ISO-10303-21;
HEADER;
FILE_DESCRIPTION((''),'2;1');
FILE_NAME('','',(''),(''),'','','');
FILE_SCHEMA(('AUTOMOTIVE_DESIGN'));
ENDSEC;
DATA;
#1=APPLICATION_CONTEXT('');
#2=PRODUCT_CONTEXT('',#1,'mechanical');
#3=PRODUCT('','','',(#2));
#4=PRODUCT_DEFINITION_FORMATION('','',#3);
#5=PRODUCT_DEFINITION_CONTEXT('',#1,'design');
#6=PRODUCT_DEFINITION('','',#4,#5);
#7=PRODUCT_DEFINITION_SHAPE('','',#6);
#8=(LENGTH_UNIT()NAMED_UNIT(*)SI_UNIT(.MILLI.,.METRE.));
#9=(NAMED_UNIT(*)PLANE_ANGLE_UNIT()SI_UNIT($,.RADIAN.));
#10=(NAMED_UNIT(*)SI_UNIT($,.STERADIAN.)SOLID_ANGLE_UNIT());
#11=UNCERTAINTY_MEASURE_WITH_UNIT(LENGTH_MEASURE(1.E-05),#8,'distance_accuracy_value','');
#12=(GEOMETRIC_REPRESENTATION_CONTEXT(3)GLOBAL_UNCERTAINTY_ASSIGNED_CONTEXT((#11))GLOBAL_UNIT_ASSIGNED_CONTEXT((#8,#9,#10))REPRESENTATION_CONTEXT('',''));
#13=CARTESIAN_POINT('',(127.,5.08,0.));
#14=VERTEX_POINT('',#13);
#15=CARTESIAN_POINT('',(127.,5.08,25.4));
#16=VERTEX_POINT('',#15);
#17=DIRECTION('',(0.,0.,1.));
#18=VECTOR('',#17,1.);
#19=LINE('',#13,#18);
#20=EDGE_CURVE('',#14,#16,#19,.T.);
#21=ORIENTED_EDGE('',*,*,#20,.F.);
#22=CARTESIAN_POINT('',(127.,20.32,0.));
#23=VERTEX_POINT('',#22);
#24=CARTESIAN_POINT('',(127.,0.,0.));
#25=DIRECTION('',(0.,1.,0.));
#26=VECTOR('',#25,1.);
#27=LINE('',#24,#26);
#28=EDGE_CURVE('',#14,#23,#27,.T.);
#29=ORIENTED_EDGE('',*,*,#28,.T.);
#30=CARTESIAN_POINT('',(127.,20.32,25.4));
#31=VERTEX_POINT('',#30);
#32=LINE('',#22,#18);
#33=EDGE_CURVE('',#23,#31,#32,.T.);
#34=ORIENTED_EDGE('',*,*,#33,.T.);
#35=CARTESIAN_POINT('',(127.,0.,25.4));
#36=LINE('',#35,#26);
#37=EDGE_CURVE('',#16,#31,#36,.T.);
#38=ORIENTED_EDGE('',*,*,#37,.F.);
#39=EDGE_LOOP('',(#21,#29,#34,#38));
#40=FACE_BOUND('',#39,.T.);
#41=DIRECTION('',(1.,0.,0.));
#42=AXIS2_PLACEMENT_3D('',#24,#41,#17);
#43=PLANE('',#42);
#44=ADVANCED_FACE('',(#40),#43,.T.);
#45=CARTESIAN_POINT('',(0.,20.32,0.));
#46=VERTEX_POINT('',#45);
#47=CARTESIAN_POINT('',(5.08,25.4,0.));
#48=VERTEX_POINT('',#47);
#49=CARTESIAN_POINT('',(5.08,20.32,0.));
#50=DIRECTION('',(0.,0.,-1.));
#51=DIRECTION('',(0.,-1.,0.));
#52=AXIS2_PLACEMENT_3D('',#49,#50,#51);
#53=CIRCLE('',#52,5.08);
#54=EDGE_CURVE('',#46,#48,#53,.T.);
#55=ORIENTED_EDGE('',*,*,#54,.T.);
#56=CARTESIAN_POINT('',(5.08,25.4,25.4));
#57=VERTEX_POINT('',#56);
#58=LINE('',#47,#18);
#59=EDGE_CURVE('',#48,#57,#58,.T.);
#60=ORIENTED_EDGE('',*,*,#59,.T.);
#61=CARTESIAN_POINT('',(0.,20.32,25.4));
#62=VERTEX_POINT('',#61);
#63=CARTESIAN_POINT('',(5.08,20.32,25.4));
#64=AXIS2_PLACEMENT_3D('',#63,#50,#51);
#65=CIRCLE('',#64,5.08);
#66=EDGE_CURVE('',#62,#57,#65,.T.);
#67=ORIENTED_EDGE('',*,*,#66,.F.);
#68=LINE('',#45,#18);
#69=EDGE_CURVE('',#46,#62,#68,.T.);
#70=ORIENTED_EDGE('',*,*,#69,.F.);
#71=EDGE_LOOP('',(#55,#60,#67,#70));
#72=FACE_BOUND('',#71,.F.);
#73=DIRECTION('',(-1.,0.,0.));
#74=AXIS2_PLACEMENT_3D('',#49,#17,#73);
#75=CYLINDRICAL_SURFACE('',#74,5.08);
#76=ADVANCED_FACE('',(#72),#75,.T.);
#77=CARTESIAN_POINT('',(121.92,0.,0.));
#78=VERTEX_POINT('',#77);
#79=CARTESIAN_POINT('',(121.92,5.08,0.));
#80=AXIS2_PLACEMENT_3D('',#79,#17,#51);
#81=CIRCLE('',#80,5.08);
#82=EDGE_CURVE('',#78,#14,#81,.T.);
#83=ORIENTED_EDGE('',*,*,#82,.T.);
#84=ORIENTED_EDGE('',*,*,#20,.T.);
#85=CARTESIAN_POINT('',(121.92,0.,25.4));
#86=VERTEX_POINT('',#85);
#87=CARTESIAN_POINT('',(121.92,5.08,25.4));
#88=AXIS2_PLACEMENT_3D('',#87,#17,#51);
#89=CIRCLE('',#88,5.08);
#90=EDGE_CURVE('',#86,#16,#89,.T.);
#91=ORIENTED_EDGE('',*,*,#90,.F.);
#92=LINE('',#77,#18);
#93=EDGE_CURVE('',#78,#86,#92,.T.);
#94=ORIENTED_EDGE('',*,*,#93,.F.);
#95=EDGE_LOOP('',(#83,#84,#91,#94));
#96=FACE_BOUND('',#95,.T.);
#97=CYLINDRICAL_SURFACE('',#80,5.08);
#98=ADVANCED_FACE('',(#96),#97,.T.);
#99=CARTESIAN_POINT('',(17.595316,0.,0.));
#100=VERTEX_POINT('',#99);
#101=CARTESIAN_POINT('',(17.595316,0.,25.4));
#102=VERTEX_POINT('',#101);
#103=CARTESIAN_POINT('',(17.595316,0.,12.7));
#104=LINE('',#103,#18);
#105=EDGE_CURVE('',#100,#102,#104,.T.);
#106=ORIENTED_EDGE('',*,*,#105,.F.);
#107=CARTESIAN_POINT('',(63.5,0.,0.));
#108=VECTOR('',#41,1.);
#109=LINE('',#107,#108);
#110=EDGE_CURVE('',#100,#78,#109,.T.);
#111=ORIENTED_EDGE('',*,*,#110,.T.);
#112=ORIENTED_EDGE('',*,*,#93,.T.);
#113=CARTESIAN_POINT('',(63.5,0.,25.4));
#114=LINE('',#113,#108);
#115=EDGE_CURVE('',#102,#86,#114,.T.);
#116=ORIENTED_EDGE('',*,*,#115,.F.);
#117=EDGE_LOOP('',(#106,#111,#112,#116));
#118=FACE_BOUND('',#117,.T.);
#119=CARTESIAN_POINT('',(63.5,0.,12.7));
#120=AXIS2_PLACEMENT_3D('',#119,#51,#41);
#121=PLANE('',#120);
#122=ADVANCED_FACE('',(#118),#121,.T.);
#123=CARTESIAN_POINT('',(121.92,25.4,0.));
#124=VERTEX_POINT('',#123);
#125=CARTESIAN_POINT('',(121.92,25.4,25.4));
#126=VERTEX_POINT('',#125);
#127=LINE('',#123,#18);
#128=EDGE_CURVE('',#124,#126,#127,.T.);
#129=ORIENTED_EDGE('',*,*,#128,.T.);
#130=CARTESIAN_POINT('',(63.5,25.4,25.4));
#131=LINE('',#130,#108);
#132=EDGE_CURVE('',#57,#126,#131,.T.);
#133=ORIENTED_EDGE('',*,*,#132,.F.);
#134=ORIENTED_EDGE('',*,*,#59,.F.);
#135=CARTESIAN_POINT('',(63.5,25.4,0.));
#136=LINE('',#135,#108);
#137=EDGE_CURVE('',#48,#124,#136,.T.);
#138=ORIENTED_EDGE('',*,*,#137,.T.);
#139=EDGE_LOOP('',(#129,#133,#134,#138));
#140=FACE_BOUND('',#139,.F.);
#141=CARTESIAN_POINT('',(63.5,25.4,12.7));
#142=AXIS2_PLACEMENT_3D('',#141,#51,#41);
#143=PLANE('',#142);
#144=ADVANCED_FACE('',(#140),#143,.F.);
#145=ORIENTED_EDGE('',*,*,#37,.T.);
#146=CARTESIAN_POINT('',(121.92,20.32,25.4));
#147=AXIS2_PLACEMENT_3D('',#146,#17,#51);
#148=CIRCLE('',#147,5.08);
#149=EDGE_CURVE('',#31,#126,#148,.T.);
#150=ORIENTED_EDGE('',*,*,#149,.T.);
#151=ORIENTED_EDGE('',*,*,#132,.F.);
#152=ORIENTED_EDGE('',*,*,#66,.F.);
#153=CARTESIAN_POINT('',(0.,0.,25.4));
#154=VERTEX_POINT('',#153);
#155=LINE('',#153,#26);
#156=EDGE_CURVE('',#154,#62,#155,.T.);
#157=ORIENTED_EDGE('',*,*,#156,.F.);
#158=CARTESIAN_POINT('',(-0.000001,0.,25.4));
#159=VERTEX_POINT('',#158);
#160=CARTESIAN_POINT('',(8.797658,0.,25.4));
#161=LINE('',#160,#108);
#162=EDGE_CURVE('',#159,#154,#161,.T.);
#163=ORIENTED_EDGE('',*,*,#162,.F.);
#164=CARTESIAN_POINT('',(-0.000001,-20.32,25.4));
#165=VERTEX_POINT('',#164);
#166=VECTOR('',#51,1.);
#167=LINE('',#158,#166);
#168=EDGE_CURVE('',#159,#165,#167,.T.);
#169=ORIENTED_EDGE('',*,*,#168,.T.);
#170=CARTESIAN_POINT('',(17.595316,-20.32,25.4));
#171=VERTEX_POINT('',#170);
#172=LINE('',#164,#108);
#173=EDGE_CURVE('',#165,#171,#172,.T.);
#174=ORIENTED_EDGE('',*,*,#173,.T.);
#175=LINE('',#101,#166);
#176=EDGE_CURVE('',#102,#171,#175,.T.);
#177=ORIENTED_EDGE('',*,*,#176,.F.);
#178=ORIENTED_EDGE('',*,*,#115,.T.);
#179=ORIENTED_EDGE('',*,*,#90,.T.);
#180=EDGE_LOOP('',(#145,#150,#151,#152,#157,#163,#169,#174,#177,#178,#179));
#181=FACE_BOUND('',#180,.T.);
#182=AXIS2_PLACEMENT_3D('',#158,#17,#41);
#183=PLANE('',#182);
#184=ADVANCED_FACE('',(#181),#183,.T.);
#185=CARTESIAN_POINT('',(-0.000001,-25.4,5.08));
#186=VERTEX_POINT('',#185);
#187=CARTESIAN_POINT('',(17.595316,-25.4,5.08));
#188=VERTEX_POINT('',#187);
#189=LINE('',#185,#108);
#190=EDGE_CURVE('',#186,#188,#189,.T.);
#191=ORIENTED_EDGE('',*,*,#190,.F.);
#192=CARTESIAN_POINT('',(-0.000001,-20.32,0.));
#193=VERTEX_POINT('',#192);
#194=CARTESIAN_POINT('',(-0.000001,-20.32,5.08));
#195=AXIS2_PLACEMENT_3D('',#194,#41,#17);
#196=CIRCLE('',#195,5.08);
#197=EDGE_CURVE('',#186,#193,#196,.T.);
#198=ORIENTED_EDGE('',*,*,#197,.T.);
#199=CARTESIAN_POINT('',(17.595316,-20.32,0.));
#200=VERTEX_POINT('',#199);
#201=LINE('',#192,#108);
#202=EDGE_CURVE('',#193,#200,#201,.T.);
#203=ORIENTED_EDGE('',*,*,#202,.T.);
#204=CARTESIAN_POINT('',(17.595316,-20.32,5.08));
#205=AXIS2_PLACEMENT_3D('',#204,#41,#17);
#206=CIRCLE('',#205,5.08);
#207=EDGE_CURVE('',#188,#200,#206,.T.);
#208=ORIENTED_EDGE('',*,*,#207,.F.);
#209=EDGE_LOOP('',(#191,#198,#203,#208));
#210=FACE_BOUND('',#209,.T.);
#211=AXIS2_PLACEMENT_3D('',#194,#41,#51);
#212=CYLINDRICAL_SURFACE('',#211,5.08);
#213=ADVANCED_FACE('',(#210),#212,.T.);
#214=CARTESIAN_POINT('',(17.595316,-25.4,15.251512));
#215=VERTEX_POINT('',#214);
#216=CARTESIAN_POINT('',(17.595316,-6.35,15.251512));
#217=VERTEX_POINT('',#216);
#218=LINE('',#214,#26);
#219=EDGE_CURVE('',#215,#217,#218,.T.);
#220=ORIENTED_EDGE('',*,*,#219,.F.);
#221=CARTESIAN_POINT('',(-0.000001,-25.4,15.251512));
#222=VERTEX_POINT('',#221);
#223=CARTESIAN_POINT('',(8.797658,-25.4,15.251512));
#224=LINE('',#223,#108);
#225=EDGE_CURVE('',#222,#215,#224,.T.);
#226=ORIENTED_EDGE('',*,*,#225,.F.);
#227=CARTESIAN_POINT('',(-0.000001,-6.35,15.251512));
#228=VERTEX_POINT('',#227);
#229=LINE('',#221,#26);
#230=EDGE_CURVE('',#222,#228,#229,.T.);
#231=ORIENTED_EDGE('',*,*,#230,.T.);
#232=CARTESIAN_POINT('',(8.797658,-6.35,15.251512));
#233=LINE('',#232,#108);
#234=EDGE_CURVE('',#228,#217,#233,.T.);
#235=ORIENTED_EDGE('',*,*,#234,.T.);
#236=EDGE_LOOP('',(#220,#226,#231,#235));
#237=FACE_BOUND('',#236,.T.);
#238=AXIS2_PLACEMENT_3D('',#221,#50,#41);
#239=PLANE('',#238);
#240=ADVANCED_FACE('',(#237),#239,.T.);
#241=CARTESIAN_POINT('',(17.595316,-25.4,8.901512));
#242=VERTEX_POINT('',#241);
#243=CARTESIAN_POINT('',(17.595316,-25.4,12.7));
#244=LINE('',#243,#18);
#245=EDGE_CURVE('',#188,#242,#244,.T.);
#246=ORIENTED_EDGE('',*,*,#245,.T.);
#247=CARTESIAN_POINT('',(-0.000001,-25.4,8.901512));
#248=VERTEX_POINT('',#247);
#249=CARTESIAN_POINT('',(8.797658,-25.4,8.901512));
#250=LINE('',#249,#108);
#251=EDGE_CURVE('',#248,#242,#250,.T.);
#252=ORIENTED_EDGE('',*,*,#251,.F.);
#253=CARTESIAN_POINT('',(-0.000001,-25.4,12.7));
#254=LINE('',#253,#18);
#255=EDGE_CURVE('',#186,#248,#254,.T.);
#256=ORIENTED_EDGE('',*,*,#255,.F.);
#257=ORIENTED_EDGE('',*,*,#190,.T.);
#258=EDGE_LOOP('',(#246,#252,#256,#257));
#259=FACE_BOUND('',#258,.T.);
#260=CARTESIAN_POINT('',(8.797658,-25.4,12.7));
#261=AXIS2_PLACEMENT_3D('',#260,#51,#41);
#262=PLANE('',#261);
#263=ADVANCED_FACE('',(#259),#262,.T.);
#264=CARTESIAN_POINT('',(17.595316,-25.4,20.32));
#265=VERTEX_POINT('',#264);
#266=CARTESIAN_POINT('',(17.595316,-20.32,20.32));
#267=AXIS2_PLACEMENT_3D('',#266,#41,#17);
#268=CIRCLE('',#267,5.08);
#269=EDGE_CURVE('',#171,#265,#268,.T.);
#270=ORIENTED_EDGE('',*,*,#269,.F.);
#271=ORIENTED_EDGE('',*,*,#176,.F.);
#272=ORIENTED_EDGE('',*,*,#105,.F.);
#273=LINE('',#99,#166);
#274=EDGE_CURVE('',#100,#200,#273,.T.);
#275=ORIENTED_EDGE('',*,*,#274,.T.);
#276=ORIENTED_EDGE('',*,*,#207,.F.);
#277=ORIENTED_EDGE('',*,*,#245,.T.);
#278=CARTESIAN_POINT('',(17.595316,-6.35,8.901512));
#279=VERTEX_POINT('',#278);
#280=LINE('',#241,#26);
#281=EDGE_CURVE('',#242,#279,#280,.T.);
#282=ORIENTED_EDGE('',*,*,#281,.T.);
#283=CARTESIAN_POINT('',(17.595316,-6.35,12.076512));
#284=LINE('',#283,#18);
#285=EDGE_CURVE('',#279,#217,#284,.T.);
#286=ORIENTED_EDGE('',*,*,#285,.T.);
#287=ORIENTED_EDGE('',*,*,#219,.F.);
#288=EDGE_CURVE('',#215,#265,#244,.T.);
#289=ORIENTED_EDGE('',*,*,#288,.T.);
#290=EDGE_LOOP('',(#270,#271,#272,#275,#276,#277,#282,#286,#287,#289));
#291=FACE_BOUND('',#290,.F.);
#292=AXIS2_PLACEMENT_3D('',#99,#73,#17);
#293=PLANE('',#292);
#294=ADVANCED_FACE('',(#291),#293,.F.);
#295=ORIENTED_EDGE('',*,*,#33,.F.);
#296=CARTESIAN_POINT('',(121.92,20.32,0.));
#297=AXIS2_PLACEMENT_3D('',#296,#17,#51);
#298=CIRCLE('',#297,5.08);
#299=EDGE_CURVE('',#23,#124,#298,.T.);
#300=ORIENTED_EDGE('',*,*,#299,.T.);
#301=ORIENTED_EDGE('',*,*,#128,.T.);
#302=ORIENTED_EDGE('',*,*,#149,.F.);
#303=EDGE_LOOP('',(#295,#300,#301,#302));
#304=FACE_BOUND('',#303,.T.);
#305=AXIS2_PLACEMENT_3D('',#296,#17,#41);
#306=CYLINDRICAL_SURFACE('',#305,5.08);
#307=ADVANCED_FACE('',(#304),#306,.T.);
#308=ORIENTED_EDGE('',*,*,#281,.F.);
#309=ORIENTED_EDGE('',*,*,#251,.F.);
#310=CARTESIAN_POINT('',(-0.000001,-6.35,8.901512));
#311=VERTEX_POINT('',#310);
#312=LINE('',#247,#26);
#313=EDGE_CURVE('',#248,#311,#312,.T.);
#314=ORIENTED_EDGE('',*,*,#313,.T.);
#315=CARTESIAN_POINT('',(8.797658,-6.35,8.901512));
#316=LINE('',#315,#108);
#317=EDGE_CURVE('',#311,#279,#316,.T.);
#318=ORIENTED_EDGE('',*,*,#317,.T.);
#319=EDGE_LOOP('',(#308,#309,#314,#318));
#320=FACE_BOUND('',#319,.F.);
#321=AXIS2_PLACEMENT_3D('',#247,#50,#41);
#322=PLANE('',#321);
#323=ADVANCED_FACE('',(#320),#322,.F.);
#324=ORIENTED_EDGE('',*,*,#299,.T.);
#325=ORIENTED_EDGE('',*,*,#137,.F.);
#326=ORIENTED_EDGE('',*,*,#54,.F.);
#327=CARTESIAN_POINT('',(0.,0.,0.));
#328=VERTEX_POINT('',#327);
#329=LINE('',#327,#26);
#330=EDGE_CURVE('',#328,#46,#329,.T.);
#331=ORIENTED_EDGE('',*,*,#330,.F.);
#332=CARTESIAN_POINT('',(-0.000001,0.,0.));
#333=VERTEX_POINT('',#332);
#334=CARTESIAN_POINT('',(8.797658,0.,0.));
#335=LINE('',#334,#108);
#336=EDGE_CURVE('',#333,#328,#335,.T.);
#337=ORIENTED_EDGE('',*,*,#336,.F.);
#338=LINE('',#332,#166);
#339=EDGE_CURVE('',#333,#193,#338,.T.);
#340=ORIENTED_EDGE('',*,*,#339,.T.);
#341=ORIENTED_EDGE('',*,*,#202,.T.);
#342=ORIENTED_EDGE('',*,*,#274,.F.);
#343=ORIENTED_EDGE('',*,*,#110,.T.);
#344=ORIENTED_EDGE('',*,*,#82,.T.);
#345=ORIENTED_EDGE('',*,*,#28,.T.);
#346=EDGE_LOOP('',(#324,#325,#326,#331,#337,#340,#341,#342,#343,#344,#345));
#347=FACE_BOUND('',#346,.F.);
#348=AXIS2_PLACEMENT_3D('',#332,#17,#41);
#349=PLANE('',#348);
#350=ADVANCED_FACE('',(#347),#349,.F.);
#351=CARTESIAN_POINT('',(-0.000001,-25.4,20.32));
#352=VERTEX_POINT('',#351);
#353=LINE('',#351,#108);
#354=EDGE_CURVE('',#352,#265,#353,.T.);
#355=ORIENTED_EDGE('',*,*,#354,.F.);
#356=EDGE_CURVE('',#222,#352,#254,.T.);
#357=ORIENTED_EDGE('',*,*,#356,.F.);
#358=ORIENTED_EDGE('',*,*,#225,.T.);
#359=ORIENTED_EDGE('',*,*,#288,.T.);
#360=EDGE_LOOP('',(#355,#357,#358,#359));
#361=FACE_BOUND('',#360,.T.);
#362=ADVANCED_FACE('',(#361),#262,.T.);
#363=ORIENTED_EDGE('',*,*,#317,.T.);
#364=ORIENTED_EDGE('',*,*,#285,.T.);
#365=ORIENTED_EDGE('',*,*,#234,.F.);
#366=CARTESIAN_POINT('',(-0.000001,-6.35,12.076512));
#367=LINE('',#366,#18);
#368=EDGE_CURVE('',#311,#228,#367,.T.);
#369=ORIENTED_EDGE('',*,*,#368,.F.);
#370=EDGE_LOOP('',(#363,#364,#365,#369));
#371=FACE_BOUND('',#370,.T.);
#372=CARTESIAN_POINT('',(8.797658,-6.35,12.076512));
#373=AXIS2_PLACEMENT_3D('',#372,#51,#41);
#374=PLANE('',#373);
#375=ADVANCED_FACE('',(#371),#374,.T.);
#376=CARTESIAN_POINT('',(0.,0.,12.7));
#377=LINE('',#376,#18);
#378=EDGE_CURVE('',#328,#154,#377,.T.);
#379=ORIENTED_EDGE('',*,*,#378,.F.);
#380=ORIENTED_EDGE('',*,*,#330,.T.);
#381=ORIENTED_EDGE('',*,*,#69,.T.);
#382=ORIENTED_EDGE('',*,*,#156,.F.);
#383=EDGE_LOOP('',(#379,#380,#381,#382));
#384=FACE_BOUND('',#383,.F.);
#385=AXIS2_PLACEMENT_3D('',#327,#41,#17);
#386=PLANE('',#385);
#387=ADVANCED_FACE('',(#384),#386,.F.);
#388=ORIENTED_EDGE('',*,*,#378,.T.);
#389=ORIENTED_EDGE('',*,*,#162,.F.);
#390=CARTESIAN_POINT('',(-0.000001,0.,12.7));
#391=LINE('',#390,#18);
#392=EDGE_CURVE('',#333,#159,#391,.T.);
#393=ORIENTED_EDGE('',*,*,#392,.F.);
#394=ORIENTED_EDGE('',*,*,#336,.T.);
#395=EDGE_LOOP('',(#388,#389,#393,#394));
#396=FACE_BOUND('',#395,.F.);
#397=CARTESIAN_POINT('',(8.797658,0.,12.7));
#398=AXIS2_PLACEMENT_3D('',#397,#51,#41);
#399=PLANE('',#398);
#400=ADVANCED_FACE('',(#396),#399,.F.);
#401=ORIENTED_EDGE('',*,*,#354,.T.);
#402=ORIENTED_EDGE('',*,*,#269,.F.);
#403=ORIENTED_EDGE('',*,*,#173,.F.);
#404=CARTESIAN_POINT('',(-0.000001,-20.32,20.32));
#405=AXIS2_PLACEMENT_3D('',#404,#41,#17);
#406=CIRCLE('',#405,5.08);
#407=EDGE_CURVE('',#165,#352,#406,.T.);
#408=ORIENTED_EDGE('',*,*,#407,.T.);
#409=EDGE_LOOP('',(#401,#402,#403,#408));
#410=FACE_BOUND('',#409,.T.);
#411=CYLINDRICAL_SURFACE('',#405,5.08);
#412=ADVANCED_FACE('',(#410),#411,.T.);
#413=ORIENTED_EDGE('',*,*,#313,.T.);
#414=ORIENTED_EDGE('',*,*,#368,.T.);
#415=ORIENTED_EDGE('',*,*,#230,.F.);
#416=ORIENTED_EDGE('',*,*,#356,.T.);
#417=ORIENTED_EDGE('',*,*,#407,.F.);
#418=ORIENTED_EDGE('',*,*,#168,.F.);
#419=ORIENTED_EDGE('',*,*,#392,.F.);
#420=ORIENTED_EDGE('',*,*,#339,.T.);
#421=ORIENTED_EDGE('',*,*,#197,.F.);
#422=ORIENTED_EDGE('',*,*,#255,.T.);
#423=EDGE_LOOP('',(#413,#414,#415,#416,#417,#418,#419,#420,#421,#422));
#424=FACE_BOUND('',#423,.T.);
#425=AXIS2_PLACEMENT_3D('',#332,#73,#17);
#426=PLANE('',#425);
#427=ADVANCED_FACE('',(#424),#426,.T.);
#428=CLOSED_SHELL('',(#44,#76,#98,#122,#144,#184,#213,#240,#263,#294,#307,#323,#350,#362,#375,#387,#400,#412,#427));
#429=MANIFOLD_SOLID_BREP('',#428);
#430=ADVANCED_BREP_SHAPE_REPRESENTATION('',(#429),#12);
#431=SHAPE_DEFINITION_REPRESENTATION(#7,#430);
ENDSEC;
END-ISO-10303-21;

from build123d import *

# Parameters (mm, degrees)
F0_W     = 127
F0_H     = 25.4
F1_DEPTH = 25.4
F2_W     = 17.595317
F2_H     = 25.4
F3_DEPTH = 25.4
F4_W     = 17.595317
F4_H     = 6.35
F5_DEPTH = 19.05
F6_R     = 5.08
F7_R     = 5.08


with BuildPart() as f1:
    # F0 (on Front) → F1 (new body)
    with BuildSketch(Plane.XZ):
        with Locations((63.5, 12.7)):
            Rectangle(F0_W, F0_H)
    extrude(amount=-F1_DEPTH)

    # F2 (on face) → F3 (join)
    with BuildSketch(Plane.XZ):
        with Locations((8.797658, 12.7)):
            Rectangle(F2_W, F2_H)
    extrude(amount=F3_DEPTH)

    # F4 (on face) → F5 (cut)
    with BuildSketch(Plane.XZ.offset(25.4)):
        with Locations((8.797658, 12.076512)):
            Rectangle(F4_W, F4_H)
    extrude(amount=-F5_DEPTH, mode=Mode.SUBTRACT)

    # F6
    f6_edges = [f1.edges().sort_by_distance(p)[0] for p in [
        (8.797659, -25.4, 25.4),
        (8.797659, -25.4, 0),
        (127, 0, 12.7),
        (127, 25.4, 12.7),
    ]]
    fillet(f6_edges, radius=F6_R)

    # F7
    f7_edges = [f1.edges().sort_by_distance(p)[0] for p in [
        (0, 25.4, 12.7),
    ]]
    fillet(f7_edges, radius=F7_R)


solid = f1.part
